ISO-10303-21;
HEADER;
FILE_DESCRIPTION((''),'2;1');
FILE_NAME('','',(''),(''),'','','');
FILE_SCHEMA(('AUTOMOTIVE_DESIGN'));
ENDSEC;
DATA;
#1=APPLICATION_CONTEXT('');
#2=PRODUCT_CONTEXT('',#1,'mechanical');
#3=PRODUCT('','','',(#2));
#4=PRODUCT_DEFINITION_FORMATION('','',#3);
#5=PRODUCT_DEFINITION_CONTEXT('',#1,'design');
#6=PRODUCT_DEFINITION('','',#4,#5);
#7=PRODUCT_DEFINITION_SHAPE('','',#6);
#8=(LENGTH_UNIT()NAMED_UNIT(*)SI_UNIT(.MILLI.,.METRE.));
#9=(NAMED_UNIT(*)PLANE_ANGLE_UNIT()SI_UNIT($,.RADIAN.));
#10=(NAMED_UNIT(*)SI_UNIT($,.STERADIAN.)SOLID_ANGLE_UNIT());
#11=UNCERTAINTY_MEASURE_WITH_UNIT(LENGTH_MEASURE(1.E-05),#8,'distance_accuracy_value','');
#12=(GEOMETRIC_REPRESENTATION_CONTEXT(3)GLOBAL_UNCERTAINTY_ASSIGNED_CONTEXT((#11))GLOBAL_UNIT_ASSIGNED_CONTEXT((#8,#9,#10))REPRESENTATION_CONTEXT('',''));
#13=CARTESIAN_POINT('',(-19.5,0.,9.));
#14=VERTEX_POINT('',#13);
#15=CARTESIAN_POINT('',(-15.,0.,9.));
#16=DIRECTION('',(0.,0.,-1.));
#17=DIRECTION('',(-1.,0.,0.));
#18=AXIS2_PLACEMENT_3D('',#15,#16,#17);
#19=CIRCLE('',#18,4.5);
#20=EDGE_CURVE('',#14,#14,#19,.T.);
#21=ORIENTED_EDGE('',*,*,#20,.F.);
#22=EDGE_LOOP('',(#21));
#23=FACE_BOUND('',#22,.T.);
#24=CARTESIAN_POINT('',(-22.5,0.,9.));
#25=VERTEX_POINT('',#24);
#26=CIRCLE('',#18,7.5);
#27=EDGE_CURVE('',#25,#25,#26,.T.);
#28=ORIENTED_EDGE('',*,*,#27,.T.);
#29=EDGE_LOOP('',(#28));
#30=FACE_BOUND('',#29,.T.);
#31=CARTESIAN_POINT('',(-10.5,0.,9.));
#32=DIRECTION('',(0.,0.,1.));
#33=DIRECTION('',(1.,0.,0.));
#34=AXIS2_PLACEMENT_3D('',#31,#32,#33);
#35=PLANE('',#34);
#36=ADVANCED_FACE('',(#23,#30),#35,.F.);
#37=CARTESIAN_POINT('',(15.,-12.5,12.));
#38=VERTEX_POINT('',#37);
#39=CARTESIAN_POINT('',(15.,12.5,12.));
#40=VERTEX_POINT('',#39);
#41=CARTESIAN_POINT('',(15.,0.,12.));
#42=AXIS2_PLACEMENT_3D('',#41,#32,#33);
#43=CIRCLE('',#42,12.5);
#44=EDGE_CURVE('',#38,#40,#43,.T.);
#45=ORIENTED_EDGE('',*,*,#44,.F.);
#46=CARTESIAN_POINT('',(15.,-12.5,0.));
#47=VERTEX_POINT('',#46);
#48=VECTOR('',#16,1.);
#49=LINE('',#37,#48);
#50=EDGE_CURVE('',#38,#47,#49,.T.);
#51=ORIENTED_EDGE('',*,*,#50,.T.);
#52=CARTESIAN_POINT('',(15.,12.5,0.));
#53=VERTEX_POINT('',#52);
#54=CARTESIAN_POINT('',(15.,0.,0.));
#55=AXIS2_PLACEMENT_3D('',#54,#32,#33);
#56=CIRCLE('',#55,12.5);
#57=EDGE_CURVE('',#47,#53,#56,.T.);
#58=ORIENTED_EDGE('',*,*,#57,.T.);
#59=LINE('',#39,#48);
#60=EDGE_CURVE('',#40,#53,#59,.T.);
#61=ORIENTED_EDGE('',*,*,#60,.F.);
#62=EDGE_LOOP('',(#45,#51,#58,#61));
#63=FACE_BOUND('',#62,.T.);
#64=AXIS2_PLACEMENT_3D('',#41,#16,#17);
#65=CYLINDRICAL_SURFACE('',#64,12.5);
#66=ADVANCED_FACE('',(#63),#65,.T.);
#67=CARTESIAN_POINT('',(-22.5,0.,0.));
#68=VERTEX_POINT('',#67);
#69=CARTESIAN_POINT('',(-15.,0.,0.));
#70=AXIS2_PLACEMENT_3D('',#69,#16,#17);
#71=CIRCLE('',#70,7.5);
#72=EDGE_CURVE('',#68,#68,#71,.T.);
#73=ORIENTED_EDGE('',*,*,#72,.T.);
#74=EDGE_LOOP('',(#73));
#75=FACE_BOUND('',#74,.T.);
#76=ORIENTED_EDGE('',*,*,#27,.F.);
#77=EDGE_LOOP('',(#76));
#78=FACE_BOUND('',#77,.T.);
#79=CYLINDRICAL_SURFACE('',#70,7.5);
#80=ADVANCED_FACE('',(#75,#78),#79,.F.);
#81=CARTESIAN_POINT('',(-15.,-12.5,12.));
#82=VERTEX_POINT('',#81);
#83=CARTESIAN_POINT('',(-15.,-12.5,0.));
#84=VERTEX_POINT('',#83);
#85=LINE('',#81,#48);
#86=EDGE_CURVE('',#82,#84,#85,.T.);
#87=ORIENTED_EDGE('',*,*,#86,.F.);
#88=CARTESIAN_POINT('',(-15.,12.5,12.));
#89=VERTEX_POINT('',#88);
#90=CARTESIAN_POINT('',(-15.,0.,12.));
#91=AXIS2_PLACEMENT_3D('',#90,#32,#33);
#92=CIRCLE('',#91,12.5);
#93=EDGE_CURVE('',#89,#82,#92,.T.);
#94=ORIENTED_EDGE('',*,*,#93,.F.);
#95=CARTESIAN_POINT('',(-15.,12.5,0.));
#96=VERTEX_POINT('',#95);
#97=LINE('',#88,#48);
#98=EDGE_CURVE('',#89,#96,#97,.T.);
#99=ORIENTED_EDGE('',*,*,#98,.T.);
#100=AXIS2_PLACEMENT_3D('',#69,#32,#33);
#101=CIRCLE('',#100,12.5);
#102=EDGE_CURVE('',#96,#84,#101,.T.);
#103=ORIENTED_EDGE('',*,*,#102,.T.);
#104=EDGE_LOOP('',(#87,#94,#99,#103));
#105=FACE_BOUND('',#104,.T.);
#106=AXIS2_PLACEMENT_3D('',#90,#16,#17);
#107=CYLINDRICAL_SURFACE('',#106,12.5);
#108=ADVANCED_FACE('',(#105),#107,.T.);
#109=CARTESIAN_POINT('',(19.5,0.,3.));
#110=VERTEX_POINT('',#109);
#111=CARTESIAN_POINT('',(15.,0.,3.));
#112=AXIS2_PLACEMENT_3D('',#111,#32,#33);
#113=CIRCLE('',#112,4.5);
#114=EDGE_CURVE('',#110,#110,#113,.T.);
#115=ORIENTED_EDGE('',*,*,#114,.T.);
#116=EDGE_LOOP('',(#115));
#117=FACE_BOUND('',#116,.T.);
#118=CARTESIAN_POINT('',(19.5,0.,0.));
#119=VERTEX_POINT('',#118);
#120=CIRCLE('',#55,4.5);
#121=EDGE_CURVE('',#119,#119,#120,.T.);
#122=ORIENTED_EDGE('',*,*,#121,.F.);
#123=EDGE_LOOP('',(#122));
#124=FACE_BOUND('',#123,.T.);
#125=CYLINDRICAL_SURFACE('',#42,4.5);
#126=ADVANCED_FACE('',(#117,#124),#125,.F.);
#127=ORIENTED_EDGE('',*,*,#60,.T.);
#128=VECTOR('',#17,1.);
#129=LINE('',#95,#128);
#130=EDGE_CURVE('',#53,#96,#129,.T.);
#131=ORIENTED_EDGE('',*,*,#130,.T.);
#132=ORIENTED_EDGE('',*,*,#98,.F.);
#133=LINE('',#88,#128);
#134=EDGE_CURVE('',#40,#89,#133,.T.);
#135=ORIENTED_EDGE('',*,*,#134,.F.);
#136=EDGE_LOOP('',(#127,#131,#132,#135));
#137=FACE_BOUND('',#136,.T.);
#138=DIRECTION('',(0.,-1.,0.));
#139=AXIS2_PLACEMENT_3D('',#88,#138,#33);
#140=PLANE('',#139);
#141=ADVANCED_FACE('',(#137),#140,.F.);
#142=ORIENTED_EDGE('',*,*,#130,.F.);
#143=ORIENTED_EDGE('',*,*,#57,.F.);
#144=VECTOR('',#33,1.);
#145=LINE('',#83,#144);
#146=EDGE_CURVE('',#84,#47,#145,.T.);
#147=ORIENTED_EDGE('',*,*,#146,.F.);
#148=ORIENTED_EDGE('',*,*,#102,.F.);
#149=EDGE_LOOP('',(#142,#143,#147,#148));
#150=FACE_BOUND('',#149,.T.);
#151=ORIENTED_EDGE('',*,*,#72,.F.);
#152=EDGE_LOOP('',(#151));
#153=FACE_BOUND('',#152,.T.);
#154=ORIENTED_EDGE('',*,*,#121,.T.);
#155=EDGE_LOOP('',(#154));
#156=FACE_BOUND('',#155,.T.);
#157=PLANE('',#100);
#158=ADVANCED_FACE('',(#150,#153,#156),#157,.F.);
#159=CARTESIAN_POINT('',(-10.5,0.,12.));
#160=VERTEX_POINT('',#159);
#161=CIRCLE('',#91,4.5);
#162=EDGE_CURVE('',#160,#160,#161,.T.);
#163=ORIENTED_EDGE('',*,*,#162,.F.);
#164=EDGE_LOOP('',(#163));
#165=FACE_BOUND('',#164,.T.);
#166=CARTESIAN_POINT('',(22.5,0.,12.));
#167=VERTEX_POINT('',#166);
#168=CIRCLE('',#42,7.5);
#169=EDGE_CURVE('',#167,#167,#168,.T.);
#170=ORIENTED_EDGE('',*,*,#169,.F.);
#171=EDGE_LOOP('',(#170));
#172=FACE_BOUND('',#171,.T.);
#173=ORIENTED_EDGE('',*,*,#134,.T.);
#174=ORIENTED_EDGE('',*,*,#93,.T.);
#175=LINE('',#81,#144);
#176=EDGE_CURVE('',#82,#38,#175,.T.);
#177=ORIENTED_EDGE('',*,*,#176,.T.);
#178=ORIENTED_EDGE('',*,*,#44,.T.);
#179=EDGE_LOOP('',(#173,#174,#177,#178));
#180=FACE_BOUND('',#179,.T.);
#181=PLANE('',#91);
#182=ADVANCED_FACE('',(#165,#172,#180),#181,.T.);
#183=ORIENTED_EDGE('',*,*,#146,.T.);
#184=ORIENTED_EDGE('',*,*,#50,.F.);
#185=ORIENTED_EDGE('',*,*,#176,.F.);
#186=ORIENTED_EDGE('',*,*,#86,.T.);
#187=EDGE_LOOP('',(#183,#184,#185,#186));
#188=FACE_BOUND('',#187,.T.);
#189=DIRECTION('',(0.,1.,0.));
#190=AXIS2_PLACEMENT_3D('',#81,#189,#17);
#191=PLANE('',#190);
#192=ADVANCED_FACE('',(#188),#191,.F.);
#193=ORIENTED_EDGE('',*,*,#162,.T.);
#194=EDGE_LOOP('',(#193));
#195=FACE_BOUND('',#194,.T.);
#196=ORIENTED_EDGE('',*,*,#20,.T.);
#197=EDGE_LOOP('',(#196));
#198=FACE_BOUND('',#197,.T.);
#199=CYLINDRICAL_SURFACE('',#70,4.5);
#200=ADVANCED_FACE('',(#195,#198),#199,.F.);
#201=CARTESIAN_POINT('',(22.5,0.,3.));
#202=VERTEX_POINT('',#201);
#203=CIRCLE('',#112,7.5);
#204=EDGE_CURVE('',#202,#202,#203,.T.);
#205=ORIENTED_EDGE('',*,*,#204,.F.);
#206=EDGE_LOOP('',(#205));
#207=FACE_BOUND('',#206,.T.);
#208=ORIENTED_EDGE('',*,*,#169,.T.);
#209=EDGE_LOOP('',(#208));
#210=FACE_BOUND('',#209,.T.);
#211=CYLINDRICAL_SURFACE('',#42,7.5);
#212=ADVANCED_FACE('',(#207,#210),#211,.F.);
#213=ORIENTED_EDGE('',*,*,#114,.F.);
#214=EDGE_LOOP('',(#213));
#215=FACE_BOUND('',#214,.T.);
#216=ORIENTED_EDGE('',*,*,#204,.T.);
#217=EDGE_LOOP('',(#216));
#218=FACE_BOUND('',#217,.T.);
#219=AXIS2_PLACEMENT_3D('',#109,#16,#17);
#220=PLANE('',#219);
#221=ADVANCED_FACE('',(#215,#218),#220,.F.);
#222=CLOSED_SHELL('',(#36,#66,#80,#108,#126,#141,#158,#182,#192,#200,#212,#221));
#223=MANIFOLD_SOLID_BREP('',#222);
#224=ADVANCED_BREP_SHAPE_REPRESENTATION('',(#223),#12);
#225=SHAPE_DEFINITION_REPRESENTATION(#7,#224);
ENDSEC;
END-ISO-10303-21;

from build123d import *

# Parameters (mm, degrees)
EXTRUDE_1_DEPTH           = 12
HOLE_WIZARD_1_D           = 9
HOLE_WIZARD_1_DEPTH       = 19.75
HOLE_WIZARD_1_CBORE_D     = 15
HOLE_WIZARD_1_CBORE_DEPTH = 9
HOLE_WIZARD_1_TIP         = 2.703872786
HOLE_WIZARD_2_D           = 9
HOLE_WIZARD_2_DEPTH       = 19.75
HOLE_WIZARD_2_CBORE_D     = 15
HOLE_WIZARD_2_CBORE_DEPTH = 9
HOLE_WIZARD_2_TIP         = 2.703872786


with BuildPart() as part:
    # 草图1 → 凸台-拉伸1 (new body)
    with BuildSketch(Plane.XY):
        with BuildLine():
            Line((-15, 12.5), (15, 12.5))
            ThreePointArc((15, 12.5), (27.5, 0), (15, -12.5))
            Line((15, -12.5), (-15, -12.5))
            ThreePointArc((-15, -12.5), (-27.5, 0), (-15, 12.5))
        make_face()
    extrude(amount=EXTRUDE_1_DEPTH)

    # 打孔尺寸(%根据)内六角圆柱头螺钉的类型1
    with Locations(Plane(origin=(0, 0, 0), x_dir=(-1, 0, 0), z_dir=(0, 0, -1))):
        with Locations((15, 0)):
            CounterBoreHole(HOLE_WIZARD_1_D / 2, HOLE_WIZARD_1_CBORE_D / 2, HOLE_WIZARD_1_CBORE_DEPTH, depth=HOLE_WIZARD_1_DEPTH)
            with Locations((0, 0, -(HOLE_WIZARD_1_DEPTH + HOLE_WIZARD_1_TIP / 2))):  # 118° drill point
                Cone(0, HOLE_WIZARD_1_D / 2, HOLE_WIZARD_1_TIP, mode=Mode.SUBTRACT)

    # 打孔尺寸(%根据)内六角圆柱头螺钉的类型2
    with Locations(Plane.XY.offset(12)):
        with Locations((15, 0)):
            CounterBoreHole(HOLE_WIZARD_2_D / 2, HOLE_WIZARD_2_CBORE_D / 2, HOLE_WIZARD_2_CBORE_DEPTH, depth=HOLE_WIZARD_2_DEPTH)
            with Locations((0, 0, -(HOLE_WIZARD_2_DEPTH + HOLE_WIZARD_2_TIP / 2))):  # 118° drill point
                Cone(0, HOLE_WIZARD_2_D / 2, HOLE_WIZARD_2_TIP, mode=Mode.SUBTRACT)


solid = part.part
